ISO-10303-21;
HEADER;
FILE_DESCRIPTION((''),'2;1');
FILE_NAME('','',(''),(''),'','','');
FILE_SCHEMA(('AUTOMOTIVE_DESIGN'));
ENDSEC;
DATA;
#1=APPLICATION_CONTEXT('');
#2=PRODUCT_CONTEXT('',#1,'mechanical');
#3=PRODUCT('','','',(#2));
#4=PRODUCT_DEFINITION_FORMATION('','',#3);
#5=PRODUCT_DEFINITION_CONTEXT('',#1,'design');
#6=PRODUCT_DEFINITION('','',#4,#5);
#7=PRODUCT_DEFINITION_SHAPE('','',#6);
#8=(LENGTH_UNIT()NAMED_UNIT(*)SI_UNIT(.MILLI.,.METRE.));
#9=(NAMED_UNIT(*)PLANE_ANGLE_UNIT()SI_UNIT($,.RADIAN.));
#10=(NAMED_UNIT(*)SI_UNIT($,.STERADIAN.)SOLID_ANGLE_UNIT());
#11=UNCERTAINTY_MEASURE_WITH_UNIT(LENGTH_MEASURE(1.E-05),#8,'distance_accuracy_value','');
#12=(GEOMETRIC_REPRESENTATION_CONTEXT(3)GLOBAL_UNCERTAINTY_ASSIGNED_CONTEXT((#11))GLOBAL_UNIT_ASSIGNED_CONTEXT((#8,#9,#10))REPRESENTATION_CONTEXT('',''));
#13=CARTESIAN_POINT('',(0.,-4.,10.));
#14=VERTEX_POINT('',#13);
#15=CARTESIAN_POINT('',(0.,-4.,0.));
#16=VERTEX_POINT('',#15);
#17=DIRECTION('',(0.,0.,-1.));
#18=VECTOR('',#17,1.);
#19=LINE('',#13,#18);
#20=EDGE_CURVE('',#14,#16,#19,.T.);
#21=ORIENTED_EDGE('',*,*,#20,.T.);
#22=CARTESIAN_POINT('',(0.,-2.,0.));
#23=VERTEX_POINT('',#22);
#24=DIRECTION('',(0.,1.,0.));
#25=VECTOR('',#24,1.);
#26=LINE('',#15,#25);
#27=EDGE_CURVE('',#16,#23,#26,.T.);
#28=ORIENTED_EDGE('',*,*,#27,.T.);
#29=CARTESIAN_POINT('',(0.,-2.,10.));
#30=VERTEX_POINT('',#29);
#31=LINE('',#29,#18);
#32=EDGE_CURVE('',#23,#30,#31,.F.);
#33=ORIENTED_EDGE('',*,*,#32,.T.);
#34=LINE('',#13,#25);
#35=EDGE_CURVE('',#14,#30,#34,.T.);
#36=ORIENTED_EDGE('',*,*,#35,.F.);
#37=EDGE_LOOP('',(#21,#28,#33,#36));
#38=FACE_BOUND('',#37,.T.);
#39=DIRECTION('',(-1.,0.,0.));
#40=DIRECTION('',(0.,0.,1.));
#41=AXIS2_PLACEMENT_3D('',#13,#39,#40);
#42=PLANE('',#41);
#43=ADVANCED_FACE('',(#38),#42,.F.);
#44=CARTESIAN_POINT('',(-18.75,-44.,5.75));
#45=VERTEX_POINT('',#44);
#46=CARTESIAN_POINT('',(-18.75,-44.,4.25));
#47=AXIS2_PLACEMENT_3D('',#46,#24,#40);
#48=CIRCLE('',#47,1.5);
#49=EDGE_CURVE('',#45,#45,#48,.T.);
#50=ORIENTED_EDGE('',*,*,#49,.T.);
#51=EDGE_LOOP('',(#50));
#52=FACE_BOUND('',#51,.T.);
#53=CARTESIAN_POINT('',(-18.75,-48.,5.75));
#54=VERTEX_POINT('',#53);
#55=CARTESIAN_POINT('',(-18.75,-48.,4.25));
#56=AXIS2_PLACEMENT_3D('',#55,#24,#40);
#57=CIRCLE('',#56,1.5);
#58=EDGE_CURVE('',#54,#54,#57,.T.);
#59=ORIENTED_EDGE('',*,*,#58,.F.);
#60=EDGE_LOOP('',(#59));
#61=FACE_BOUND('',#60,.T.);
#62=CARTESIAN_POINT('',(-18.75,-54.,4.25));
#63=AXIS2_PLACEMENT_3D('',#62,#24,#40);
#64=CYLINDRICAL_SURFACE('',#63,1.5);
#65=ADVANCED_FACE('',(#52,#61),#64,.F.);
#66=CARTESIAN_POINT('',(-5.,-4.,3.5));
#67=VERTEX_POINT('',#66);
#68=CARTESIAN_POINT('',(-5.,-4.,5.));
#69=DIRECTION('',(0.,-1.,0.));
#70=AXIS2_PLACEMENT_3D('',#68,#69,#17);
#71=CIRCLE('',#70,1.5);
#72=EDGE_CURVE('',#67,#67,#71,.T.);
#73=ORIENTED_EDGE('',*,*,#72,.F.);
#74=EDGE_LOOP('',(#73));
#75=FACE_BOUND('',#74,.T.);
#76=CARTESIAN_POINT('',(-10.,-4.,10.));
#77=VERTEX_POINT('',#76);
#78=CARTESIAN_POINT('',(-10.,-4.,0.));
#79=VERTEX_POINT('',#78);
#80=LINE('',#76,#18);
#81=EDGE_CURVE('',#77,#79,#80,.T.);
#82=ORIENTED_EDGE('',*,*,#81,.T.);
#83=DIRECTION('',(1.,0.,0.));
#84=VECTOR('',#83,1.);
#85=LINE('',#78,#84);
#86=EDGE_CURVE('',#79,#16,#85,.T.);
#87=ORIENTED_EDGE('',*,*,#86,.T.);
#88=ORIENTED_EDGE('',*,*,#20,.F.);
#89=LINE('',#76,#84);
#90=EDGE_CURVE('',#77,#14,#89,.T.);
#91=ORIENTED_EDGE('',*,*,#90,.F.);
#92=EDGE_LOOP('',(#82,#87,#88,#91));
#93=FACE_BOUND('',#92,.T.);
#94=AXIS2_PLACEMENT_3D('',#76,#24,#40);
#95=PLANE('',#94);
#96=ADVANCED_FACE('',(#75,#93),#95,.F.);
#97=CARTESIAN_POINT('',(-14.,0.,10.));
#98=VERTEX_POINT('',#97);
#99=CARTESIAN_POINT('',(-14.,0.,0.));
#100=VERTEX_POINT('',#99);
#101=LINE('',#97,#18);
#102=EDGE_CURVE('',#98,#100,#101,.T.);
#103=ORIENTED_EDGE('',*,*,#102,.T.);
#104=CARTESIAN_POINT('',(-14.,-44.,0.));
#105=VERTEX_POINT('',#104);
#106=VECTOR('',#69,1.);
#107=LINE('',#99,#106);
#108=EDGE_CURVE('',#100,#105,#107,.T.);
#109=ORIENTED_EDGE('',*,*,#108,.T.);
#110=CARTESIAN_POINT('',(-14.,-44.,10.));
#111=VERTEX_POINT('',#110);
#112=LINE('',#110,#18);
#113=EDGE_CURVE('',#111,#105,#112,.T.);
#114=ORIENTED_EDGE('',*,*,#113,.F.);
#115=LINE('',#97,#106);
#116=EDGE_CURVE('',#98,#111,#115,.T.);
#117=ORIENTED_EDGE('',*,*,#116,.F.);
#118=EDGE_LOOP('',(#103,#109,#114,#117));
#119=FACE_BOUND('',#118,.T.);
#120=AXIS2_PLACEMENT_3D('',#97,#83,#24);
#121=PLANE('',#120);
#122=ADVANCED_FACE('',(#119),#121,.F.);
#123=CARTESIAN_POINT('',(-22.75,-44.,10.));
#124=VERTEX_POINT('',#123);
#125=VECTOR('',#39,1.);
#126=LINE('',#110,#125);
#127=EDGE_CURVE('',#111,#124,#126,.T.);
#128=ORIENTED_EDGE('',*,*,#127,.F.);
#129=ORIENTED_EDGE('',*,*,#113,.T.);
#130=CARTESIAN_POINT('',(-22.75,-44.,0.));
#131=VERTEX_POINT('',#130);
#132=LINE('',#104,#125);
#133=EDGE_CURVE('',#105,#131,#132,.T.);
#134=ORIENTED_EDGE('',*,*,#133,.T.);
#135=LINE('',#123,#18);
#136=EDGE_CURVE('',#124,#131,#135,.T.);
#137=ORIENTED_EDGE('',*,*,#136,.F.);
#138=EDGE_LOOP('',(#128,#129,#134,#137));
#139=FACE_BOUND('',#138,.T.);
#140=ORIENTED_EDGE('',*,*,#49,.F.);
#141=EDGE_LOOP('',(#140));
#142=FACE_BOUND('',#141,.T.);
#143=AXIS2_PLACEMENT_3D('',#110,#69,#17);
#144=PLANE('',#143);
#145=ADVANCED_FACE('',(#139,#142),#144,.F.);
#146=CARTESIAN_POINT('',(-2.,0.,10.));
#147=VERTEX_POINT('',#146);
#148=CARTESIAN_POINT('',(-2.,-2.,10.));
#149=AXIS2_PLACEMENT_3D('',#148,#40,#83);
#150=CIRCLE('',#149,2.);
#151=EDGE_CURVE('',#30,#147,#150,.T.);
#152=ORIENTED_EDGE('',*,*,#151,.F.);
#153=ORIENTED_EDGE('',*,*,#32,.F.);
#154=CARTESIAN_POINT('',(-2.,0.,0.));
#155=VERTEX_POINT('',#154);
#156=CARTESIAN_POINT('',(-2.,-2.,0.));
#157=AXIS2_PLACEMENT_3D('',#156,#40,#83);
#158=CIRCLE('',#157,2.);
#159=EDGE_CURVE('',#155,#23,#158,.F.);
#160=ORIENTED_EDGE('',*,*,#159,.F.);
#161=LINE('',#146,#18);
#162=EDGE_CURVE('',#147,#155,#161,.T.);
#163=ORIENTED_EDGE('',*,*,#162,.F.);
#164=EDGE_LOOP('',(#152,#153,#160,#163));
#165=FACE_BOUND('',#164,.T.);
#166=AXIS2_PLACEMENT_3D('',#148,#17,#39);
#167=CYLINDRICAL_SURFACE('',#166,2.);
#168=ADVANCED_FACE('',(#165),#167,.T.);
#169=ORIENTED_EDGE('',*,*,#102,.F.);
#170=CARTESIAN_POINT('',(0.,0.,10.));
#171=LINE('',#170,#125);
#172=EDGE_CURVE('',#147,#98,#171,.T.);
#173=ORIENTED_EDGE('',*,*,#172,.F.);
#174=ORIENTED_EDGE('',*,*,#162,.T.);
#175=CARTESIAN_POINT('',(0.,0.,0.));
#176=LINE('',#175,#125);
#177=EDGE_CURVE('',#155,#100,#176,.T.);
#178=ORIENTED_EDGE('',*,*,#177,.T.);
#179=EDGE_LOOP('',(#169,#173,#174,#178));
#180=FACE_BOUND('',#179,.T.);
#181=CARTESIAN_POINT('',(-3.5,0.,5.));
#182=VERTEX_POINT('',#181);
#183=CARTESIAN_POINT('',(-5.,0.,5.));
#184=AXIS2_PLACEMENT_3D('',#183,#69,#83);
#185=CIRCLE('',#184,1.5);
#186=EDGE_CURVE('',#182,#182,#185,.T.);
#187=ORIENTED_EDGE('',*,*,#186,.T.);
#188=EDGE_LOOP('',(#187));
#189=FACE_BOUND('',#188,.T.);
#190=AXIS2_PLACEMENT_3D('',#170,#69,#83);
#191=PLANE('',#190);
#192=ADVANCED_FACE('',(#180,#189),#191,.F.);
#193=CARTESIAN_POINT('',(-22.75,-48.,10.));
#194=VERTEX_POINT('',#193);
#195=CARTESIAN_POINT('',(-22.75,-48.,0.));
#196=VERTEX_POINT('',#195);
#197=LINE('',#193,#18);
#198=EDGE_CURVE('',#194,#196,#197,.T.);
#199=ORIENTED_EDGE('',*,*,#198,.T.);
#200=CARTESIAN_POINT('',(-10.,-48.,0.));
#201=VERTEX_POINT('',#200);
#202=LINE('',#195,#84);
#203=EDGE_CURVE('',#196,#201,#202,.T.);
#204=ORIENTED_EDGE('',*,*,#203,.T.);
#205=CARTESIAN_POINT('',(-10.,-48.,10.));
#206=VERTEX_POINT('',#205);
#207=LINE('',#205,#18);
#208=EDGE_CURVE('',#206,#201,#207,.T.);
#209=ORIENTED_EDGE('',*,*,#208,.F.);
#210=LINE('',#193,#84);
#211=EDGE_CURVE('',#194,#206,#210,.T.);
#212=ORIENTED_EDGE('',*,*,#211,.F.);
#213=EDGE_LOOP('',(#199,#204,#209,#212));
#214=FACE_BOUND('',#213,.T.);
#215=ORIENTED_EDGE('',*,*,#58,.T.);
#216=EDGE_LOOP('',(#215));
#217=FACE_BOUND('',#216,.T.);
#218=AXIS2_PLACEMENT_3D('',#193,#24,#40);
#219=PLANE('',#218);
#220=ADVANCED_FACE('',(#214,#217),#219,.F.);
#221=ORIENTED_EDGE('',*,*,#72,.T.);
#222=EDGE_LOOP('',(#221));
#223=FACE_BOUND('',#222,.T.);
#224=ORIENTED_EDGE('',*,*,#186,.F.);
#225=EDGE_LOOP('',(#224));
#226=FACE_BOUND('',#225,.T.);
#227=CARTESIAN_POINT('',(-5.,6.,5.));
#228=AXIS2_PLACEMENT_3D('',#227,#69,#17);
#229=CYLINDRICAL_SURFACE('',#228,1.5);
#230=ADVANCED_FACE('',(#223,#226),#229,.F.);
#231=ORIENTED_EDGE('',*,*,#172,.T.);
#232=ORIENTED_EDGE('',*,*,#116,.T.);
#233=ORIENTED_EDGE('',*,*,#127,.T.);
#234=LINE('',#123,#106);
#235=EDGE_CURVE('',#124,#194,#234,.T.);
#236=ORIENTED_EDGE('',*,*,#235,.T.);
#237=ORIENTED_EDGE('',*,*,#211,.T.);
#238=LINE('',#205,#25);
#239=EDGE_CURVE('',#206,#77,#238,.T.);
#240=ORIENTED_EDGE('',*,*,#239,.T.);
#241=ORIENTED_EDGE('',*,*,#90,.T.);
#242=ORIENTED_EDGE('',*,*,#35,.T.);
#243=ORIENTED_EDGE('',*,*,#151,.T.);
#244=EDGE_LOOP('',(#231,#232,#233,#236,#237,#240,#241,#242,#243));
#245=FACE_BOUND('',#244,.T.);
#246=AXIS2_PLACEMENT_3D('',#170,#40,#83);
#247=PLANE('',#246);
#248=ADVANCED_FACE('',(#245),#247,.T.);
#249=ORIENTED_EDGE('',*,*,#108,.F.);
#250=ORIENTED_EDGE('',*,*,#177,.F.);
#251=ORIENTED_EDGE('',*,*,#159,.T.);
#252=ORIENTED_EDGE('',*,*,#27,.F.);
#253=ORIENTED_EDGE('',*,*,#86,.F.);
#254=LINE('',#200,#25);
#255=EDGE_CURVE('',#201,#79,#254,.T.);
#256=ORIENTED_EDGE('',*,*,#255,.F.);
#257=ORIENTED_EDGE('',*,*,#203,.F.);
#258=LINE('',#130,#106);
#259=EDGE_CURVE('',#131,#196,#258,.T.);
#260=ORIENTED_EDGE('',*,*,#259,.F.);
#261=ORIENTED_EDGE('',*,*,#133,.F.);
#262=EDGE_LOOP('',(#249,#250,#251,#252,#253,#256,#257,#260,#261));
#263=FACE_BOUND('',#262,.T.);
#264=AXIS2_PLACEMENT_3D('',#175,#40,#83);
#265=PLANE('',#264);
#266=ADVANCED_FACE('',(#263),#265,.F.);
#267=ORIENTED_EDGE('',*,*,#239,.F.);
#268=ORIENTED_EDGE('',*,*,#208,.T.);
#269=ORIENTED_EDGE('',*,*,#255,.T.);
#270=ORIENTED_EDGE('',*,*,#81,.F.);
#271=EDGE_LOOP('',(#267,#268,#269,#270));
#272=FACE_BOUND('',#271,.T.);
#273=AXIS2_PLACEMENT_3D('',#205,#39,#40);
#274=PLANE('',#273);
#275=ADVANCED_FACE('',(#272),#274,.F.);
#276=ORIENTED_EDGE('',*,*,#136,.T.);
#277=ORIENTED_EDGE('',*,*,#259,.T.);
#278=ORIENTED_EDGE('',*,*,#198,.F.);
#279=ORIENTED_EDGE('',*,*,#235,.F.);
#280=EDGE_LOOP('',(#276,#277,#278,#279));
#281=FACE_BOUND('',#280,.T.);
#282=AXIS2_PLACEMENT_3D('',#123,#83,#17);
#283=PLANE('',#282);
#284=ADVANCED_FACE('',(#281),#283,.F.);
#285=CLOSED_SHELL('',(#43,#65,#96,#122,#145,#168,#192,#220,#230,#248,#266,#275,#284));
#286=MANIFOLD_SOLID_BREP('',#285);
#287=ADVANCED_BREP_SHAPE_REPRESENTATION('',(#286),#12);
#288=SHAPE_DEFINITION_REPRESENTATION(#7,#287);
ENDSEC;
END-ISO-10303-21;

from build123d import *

# Parameters (mm, degrees)
BOSS_EXTRUDE1_DEPTH = 10
SKETCH2_R           = 1.5
CUT_EXTRUDE1_DEPTH  = 10
SKETCH3_R           = 1.5
CUT_EXTRUDE2_DEPTH  = 10
FILLET1_R           = 2


with BuildPart() as part:
    # Sketch1 → Boss-Extrude1 (new body)
    with BuildSketch(Plane.XY):
        Polygon((0, 0), (-14, 0), (-14, -44), (-22.75, -44), (-22.75, -48), (-10, -48), (-10, -4), (0, -4), align=None)
    extrude(amount=BOSS_EXTRUDE1_DEPTH)

    # Sketch2 → Cut-Extrude1 (cut)
    with BuildSketch(Plane(origin=(0, -44, 0), x_dir=(1, 0, 0), z_dir=(0, 1, 0))):
        with Locations(Location((-18.75, -4.25, 0), (0, 0, 270))):
            Circle(SKETCH2_R)
    extrude(amount=-CUT_EXTRUDE1_DEPTH, mode=Mode.SUBTRACT)

    # Sketch3 → Cut-Extrude2 (cut)
    with BuildSketch(Plane(origin=(0, -4, 0), x_dir=(-1, 0, 0), z_dir=(0, -1, 0))):
        with Locations(Location((5, -5, 0), (0, 0, 90))):
            Circle(SKETCH3_R)
    extrude(amount=-CUT_EXTRUDE2_DEPTH, mode=Mode.SUBTRACT)

    # Fillet1
    fillet1_edges = [part.edges().sort_by_distance(p)[0] for p in [
        (0, 0, 5),
    ]]
    fillet(fillet1_edges, radius=FILLET1_R)


solid = part.part
